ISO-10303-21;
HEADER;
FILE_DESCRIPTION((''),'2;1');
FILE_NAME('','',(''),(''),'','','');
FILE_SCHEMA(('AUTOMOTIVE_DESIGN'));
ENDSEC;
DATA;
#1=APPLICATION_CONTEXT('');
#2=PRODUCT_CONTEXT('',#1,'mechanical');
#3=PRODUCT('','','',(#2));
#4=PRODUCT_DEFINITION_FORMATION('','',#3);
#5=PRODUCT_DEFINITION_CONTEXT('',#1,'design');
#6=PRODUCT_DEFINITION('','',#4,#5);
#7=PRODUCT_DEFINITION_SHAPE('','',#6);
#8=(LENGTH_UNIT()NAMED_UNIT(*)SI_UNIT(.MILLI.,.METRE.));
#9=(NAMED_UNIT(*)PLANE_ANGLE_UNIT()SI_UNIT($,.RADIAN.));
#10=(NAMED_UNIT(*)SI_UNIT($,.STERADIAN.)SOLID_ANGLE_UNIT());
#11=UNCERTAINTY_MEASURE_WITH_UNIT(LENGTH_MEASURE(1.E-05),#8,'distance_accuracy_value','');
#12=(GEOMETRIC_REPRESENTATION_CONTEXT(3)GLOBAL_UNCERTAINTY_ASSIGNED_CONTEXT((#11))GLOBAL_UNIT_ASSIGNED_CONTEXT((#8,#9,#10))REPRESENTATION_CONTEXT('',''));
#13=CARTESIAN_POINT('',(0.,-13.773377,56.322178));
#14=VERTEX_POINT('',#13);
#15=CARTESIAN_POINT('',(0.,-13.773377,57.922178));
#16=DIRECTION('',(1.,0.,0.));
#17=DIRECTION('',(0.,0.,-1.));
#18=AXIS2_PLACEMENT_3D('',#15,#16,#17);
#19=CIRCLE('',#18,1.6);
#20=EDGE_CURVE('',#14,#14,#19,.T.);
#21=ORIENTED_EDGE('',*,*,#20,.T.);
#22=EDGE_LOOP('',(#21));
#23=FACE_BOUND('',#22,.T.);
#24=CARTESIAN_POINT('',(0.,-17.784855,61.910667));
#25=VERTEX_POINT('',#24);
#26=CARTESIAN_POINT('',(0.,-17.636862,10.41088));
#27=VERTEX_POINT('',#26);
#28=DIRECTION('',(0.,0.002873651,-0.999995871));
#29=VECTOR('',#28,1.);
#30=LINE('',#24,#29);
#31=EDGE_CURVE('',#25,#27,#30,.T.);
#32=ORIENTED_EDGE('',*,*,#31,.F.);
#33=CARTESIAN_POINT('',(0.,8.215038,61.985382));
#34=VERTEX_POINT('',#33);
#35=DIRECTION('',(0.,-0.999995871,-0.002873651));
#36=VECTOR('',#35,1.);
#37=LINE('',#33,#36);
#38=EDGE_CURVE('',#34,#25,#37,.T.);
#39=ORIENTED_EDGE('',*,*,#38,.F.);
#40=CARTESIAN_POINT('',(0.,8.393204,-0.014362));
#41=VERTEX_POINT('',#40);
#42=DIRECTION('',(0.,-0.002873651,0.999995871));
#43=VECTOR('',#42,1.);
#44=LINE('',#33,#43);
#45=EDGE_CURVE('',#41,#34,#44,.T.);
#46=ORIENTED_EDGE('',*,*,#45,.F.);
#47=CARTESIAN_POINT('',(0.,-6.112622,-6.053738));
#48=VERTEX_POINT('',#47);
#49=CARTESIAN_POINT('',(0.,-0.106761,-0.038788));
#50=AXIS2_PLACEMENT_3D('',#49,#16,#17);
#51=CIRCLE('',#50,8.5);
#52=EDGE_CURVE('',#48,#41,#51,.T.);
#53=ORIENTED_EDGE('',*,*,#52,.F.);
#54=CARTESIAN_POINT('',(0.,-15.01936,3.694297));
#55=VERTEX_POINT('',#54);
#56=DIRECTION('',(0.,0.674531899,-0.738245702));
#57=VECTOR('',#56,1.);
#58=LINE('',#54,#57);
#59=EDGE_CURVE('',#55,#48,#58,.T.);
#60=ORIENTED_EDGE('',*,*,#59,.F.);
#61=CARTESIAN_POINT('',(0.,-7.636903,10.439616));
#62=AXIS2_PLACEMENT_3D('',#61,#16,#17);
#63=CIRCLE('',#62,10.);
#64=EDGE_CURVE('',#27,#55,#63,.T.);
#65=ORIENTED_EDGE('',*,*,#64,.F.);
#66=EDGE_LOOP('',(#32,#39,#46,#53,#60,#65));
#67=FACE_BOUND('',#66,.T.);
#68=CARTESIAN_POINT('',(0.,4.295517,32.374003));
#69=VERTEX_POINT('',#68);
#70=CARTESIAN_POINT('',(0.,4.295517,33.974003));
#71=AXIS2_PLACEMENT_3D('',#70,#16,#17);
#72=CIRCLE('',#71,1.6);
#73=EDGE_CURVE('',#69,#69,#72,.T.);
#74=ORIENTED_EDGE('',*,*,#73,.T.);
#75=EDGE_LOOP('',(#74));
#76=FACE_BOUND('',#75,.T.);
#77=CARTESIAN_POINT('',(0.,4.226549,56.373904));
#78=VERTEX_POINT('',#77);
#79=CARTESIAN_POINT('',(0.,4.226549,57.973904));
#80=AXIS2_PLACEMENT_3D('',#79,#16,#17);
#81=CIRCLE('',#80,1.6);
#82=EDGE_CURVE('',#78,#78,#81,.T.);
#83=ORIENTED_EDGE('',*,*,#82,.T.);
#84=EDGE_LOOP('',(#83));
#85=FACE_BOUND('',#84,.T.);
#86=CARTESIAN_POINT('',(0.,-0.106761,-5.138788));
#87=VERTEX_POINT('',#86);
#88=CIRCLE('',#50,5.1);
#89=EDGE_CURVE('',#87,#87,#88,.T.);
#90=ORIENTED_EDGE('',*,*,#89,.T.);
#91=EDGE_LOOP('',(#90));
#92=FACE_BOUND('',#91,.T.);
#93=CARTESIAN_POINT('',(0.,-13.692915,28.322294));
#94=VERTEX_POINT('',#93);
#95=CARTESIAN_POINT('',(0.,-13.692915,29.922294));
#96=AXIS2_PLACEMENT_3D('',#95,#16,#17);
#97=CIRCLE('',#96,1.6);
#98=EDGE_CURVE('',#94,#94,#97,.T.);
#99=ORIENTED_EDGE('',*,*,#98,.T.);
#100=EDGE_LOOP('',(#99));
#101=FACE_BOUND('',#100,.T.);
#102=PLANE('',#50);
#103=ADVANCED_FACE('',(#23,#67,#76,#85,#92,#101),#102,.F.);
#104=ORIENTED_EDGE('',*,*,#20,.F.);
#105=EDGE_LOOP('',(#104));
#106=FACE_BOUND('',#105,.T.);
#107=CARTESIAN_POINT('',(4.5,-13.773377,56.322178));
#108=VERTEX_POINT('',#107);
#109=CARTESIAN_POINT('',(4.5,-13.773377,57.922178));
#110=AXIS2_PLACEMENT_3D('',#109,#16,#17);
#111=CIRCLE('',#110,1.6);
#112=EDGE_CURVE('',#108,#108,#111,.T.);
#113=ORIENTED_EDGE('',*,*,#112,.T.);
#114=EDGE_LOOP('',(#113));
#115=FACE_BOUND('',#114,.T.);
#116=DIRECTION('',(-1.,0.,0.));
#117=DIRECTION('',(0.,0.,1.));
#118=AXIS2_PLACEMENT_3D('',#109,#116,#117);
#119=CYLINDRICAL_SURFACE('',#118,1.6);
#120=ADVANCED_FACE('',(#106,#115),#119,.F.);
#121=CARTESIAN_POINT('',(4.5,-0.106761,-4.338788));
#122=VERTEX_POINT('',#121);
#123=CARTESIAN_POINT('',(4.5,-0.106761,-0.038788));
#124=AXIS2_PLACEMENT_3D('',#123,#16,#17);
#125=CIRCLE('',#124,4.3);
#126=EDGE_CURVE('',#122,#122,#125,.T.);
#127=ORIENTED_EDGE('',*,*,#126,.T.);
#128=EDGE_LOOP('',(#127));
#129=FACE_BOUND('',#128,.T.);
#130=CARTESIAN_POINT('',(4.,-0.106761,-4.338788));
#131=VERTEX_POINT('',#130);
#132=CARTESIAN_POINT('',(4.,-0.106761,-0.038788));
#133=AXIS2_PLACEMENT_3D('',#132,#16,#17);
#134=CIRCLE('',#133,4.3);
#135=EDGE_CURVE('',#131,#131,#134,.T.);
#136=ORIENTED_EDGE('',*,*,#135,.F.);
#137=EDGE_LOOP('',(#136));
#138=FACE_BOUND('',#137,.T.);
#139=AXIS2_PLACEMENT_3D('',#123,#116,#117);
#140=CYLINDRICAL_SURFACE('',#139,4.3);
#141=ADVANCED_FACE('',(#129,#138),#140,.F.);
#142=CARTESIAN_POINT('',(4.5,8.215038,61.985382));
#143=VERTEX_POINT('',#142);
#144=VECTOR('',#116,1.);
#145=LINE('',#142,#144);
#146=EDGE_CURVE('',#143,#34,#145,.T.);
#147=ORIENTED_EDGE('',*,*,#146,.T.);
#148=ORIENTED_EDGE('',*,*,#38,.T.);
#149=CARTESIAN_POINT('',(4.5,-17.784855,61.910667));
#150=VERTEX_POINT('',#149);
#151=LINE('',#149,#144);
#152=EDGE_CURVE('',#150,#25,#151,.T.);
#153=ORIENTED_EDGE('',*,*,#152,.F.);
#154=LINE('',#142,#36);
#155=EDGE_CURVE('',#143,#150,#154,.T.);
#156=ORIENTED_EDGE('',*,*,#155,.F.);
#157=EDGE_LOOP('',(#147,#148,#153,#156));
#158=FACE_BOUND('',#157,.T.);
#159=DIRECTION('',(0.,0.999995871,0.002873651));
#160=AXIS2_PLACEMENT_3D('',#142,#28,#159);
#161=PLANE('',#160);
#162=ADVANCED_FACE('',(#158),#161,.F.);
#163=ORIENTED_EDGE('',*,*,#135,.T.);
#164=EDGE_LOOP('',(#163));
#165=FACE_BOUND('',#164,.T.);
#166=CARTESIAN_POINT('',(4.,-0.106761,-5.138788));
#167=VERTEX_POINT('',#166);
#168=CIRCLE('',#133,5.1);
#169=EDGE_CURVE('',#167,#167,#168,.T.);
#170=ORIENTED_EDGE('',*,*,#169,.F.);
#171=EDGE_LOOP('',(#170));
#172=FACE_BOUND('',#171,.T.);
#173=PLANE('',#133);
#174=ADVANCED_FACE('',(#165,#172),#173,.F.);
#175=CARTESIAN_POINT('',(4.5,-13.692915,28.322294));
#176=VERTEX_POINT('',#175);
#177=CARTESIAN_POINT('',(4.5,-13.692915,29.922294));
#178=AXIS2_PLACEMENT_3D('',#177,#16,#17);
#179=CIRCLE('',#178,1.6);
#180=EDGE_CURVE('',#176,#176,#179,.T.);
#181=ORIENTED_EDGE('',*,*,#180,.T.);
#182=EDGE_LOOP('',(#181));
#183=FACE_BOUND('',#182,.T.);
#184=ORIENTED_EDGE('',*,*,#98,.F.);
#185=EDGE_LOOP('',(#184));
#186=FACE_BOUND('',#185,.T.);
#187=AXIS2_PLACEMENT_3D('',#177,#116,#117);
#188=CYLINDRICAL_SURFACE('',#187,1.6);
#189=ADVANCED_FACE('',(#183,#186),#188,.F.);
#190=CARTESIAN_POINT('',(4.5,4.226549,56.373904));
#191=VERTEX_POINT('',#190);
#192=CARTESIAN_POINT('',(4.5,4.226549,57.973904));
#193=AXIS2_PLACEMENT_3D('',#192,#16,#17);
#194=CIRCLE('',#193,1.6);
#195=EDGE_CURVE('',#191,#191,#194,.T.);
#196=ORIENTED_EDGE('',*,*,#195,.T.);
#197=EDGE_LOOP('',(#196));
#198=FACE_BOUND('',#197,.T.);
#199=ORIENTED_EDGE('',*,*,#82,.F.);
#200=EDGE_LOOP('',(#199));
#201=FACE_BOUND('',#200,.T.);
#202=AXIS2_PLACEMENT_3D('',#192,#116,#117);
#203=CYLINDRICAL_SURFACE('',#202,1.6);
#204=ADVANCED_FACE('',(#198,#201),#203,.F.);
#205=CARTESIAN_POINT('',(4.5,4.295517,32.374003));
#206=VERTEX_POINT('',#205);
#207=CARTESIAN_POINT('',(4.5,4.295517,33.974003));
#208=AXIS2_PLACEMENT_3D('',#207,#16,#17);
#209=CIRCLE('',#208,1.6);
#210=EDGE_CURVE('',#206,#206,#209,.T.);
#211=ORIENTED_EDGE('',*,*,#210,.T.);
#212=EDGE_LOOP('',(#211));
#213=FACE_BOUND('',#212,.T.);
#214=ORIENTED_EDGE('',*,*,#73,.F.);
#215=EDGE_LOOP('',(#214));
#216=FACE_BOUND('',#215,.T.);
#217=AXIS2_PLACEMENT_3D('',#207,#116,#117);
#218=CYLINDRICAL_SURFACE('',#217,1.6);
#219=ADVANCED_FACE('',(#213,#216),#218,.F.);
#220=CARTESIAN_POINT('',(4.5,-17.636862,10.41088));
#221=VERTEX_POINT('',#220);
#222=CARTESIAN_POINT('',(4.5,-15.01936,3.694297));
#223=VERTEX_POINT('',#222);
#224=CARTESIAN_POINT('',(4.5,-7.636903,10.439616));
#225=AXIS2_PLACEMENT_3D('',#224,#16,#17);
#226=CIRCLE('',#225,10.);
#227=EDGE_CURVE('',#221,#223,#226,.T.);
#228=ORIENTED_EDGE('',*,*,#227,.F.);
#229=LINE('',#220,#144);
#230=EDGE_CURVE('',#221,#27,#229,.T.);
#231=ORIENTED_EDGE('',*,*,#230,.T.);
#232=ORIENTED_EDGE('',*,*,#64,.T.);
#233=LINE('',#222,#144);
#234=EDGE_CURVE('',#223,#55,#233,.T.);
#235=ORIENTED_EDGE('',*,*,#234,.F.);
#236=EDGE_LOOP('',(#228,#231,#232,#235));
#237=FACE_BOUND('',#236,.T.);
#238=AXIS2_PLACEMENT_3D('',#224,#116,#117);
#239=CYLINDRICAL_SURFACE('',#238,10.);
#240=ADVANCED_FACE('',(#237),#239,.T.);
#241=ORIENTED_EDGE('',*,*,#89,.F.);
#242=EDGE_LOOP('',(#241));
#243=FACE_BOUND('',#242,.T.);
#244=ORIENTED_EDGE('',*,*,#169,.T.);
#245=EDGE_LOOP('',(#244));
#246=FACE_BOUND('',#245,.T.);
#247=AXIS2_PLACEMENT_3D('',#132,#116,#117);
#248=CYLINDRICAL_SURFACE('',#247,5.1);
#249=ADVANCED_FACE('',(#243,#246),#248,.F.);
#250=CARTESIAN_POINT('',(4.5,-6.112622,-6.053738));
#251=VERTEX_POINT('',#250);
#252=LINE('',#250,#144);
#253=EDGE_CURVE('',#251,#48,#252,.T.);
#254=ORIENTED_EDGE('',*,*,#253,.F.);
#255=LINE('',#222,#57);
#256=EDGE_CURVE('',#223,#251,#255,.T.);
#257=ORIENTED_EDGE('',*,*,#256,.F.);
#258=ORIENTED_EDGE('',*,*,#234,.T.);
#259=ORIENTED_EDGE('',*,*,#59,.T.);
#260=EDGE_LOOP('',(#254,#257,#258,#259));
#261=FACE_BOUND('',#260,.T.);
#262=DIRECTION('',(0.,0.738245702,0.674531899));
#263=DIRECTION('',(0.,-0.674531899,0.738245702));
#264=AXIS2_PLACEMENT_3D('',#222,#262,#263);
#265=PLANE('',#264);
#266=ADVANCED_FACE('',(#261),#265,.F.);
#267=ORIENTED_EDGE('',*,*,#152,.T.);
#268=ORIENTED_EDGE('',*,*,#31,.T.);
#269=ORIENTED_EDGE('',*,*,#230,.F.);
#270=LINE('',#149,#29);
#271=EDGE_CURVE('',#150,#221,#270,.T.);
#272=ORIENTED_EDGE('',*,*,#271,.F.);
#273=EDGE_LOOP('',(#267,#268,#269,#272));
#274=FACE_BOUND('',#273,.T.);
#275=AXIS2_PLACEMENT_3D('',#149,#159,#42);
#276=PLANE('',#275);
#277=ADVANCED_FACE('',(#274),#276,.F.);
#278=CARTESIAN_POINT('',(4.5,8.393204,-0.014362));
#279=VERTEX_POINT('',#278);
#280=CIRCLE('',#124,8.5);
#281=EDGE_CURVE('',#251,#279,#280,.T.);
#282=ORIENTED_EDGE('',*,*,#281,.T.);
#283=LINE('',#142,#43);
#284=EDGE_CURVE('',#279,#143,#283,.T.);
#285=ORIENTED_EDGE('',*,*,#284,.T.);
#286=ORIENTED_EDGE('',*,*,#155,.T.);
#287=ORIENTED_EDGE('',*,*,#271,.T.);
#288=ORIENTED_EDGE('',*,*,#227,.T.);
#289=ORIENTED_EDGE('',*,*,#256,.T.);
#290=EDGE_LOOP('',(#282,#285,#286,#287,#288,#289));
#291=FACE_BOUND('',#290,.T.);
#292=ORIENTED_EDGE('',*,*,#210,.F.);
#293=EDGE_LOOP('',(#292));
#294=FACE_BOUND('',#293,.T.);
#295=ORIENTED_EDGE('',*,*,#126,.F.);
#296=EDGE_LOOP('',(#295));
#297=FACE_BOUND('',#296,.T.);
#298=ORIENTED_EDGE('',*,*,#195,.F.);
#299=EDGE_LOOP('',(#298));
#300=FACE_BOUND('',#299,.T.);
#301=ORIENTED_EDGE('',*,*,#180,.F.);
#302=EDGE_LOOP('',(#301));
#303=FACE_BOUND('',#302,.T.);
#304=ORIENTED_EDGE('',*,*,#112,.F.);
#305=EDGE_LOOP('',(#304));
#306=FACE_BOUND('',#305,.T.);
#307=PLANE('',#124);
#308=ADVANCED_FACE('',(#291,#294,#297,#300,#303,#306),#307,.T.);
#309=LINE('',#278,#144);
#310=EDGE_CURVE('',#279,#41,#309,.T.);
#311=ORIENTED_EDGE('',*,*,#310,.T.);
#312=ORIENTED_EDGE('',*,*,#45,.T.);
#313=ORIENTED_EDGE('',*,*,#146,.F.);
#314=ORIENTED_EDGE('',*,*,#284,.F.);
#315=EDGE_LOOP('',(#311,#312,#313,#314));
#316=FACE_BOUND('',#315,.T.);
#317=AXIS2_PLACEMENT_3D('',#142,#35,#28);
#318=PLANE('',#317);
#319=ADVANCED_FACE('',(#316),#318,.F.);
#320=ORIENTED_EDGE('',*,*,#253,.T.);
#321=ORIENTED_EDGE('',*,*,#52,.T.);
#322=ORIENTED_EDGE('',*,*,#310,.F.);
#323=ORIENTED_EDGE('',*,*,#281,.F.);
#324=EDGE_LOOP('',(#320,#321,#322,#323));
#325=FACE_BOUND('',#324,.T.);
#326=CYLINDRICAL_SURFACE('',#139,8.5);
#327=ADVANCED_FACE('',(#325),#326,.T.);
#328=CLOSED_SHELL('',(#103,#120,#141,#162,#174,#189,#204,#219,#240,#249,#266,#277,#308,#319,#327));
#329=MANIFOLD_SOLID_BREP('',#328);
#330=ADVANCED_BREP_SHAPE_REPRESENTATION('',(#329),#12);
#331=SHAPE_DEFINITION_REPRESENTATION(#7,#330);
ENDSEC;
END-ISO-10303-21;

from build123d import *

# Parameters (mm, degrees)
SKETCH_1_R          = 4.3
SKETCH_1_R_2        = 1.6
EXTRUDE_1_DEPTH     = 4.5
SKETCH_2_R          = 5.1
CUT_EXTRUDE_1_DEPTH = 4


with BuildPart() as part:
    # 草图1 → 凸台-拉伸1 (new body)
    with BuildSketch(Plane(origin=(0, 0, 0), x_dir=(0, 0, -1), z_dir=(1, 0, 0))):
        with BuildLine():
            Line((-61.910667188, -17.784854846), (-10.410879829, -17.636861799))
            ThreePointArc((-10.410879829, -17.636861799), (-6.80853031, -16.954371319), (-3.69429735, -15.01936011))
            Line((-3.69429735, -15.01936011), (6.053738335, -6.112622142))
            ThreePointArc((6.053738335, -6.112622142), (7.885847556, 3.160295303), (0.014361881, 8.393204188))
            Line((0.014361881, 8.393204188), (-61.985382125, 8.215037801))
            Line((-61.985382125, 8.215037801), (-61.910667188, -17.784854846))
        make_face()
        with Locations((0.038787918, -0.106760716)):
            Circle(SKETCH_1_R, mode=Mode.SUBTRACT)
        with Locations((-57.973904035, 4.226548923)):
            Circle(SKETCH_1_R_2, mode=Mode.SUBTRACT)
        with Locations((-29.92229392, -13.692914517)):
            Circle(SKETCH_1_R_2, mode=Mode.SUBTRACT)
        with Locations((-33.97400313, 4.295516556)):
            Circle(SKETCH_1_R_2, mode=Mode.SUBTRACT)
        with Locations((-57.92217831, -13.773376756)):
            Circle(SKETCH_1_R_2, mode=Mode.SUBTRACT)
    extrude(amount=EXTRUDE_1_DEPTH)

    # 草图2 → 切除-拉伸1 (cut)
    with BuildSketch(Plane(origin=(0, 0, 0), x_dir=(0, 0, -1), z_dir=(1, 0, 0))):
        with Locations((0.038787918, -0.106760716)):
            Circle(SKETCH_2_R)
    extrude(amount=CUT_EXTRUDE_1_DEPTH, mode=Mode.SUBTRACT)


solid = part.part
